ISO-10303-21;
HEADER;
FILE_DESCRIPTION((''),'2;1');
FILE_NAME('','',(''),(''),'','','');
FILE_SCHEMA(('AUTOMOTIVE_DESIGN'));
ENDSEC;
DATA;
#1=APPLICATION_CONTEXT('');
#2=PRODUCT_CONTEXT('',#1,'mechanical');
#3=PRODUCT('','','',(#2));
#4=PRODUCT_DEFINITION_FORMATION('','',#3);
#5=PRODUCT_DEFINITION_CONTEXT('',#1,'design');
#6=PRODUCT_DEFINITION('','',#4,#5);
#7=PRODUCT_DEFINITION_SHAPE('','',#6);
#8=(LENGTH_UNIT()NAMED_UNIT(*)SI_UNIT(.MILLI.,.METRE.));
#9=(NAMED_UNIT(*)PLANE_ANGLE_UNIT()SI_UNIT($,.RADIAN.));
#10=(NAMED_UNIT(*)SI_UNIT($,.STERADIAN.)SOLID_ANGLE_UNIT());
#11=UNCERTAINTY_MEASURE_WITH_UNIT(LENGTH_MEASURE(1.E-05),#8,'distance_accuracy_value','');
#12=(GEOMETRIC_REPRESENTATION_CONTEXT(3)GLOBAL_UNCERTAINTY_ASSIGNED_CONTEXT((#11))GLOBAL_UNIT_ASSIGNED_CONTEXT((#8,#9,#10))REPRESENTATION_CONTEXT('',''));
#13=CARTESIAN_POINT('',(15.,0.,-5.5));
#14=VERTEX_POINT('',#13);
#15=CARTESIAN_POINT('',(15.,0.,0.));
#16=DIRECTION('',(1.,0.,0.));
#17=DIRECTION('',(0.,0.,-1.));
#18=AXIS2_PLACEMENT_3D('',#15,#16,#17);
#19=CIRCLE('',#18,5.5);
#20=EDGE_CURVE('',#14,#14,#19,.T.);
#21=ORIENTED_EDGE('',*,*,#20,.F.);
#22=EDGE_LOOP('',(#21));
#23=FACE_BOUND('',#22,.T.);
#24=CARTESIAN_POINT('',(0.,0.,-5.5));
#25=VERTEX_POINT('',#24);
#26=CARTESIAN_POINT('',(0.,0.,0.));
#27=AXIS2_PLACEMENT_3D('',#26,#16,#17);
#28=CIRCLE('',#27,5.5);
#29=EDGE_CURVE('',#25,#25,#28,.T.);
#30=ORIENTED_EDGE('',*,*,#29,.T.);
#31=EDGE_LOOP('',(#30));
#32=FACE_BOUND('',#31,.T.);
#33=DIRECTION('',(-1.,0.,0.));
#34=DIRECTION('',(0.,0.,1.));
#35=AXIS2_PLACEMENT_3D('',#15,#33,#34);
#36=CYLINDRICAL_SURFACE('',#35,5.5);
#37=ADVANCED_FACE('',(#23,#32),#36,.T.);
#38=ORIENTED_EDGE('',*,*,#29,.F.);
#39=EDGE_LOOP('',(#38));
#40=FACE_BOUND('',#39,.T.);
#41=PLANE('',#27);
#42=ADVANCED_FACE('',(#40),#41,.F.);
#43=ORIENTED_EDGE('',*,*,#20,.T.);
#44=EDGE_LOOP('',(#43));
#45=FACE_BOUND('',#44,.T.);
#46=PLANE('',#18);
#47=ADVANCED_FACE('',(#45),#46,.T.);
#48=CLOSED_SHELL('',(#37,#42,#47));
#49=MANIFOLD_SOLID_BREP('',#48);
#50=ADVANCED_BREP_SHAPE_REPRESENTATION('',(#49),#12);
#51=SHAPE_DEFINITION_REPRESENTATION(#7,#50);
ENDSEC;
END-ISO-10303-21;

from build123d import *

# Parameters (mm, degrees)
SKETCH1_R           = 5.5
BOSS_EXTRUDE1_DEPTH = 15


with BuildPart() as part:
    # Sketch1 → Boss-Extrude1 (new body)
    with BuildSketch(Plane.YZ):
        with Locations(Location((0, 0, 0), (0, 0, 270))):
            Circle(SKETCH1_R)
    extrude(amount=BOSS_EXTRUDE1_DEPTH)


solid = part.part
